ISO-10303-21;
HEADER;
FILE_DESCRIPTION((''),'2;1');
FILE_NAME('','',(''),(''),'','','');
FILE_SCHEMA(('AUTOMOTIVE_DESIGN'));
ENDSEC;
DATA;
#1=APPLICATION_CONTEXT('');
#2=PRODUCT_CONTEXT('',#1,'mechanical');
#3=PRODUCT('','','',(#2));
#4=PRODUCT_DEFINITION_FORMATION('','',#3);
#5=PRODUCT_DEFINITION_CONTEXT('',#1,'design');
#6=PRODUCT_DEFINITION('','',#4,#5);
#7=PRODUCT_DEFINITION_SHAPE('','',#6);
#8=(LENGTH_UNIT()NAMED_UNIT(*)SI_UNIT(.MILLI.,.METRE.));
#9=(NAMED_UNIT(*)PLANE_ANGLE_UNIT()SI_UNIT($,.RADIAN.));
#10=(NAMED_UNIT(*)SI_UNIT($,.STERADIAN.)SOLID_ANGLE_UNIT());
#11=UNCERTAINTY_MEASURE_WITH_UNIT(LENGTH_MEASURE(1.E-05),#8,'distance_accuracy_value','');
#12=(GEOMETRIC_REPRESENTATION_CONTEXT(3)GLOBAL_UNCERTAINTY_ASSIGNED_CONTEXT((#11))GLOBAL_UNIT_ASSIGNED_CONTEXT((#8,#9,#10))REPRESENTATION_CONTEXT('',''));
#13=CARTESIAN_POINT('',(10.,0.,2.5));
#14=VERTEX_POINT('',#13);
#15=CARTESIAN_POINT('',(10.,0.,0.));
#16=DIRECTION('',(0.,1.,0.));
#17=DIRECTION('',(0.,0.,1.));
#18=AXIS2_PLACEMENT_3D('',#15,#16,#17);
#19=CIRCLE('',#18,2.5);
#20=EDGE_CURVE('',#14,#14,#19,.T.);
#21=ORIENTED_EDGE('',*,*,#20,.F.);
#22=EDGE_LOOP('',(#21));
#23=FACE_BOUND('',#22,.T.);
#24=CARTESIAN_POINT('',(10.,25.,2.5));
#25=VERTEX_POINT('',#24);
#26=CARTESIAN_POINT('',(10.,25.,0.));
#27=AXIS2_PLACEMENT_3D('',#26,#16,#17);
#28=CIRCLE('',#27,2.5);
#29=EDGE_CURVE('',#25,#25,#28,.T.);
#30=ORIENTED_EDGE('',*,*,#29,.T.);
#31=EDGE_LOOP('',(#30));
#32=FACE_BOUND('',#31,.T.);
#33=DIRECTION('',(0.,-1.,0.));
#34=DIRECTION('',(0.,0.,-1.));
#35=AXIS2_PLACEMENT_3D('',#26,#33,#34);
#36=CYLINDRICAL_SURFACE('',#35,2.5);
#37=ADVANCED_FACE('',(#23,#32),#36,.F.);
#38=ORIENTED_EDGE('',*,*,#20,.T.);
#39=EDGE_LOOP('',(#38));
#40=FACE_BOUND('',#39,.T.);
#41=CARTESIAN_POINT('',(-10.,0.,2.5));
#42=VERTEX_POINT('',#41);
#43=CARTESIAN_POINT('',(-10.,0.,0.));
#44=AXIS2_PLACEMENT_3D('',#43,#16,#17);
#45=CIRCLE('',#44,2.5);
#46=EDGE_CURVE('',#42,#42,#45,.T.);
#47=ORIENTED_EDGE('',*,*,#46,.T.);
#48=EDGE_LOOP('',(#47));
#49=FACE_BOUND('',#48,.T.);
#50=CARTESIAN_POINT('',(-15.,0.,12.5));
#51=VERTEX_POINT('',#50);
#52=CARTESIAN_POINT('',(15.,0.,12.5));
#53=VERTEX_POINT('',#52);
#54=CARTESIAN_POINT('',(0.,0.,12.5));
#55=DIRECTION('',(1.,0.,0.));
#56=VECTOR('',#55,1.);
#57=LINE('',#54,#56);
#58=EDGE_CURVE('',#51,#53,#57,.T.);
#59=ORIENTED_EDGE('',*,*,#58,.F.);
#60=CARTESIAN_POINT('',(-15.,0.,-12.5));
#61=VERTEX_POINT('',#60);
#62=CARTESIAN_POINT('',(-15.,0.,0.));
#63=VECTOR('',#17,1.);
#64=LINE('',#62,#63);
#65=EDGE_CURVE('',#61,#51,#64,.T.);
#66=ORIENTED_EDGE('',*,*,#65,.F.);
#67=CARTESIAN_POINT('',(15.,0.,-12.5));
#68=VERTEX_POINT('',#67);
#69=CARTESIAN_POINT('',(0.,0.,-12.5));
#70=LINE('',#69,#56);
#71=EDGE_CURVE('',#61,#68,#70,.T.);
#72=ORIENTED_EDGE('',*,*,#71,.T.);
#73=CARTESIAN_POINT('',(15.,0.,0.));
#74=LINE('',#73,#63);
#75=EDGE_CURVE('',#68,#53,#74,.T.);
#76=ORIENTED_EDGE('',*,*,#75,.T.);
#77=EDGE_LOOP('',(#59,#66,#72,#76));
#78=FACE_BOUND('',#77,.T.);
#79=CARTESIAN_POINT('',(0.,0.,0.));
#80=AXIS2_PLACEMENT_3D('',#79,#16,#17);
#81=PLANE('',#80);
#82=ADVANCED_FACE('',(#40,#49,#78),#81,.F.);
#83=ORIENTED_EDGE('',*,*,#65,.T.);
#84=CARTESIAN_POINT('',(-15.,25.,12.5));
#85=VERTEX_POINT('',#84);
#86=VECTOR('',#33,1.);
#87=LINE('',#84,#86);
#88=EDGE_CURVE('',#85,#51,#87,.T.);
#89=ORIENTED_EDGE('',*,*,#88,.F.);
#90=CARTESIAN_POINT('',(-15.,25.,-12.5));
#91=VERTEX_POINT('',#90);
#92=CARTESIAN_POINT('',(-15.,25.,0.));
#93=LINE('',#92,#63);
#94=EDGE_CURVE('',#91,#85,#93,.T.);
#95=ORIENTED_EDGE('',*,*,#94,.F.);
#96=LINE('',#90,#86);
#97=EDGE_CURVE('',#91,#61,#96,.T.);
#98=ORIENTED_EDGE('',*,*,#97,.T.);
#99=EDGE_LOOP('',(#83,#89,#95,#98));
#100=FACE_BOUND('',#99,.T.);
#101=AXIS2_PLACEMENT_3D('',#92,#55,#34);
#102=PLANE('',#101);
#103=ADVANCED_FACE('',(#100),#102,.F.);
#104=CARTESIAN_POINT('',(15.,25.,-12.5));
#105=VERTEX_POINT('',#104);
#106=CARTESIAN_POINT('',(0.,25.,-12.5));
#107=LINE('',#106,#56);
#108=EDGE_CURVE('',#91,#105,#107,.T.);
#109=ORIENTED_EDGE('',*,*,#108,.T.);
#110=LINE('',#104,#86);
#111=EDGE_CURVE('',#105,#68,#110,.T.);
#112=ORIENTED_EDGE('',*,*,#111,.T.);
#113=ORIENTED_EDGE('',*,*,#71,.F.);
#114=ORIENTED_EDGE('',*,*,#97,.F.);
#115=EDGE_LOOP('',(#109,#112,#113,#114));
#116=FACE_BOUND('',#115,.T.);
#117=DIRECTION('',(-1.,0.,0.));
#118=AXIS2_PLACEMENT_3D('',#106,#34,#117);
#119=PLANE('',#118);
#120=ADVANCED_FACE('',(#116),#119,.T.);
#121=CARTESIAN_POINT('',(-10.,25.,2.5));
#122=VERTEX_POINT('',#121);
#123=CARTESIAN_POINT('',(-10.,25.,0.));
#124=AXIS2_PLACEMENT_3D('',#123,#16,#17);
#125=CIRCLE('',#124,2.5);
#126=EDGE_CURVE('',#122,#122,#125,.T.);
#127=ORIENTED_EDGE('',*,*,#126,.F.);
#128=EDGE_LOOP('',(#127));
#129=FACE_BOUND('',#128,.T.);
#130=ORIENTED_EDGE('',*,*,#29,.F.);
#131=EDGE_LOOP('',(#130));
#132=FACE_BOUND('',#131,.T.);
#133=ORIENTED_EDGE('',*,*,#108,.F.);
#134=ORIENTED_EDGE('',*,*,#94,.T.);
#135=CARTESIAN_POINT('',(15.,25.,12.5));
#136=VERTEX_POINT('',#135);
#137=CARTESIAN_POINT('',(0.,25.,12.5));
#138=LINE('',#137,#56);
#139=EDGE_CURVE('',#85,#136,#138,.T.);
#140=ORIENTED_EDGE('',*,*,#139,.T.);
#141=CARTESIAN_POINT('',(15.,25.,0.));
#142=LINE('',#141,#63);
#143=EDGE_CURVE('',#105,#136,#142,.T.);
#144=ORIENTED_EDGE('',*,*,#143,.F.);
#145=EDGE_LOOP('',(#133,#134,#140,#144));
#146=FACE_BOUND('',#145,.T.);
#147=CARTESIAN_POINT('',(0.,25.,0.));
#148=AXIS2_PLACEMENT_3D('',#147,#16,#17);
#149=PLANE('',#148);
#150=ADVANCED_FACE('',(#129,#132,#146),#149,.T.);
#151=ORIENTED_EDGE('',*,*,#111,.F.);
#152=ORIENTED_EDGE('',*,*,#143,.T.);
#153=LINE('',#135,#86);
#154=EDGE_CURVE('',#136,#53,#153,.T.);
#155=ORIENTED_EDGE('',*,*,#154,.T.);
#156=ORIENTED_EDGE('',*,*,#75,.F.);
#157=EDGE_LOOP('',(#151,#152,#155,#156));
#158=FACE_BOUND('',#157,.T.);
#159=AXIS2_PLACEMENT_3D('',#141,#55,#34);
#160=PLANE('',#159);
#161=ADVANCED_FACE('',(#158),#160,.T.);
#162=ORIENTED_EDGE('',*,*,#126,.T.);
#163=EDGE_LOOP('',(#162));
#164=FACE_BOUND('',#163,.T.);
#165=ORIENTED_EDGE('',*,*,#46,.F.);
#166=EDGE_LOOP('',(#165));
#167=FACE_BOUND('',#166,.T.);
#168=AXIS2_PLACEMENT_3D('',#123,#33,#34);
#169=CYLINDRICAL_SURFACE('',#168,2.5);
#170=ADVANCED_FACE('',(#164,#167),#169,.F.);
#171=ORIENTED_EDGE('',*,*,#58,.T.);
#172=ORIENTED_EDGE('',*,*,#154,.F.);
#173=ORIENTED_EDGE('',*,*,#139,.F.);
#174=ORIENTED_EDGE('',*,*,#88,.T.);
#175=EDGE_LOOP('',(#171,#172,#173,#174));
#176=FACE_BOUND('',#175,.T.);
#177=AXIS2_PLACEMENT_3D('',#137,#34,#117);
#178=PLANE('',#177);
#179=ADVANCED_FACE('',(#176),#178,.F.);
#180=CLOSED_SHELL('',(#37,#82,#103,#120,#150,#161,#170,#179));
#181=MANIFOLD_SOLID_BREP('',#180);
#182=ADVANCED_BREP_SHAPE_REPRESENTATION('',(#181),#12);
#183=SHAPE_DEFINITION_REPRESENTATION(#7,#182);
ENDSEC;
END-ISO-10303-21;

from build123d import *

# Parameters (mm, degrees)
SKETCH1_W           = 30
SKETCH1_H           = 25
SKETCH1_R           = 2.5
BOSS_EXTRUDE1_DEPTH = 25


with BuildPart() as part:
    # Sketch1 → Boss-Extrude1 (new body)
    with BuildSketch(Plane(origin=(0, 0, 0), x_dir=(1, 0, 0), z_dir=(0, 1, 0))):
        Rectangle(SKETCH1_W, SKETCH1_H)
        with Locations(Location((-10, 0, 0), (0, 0, 270))):
            Circle(SKETCH1_R, mode=Mode.SUBTRACT)
        with Locations(Location((10, 0, 0), (0, 0, 270))):
            Circle(SKETCH1_R, mode=Mode.SUBTRACT)
    extrude(amount=BOSS_EXTRUDE1_DEPTH)


solid = part.part
